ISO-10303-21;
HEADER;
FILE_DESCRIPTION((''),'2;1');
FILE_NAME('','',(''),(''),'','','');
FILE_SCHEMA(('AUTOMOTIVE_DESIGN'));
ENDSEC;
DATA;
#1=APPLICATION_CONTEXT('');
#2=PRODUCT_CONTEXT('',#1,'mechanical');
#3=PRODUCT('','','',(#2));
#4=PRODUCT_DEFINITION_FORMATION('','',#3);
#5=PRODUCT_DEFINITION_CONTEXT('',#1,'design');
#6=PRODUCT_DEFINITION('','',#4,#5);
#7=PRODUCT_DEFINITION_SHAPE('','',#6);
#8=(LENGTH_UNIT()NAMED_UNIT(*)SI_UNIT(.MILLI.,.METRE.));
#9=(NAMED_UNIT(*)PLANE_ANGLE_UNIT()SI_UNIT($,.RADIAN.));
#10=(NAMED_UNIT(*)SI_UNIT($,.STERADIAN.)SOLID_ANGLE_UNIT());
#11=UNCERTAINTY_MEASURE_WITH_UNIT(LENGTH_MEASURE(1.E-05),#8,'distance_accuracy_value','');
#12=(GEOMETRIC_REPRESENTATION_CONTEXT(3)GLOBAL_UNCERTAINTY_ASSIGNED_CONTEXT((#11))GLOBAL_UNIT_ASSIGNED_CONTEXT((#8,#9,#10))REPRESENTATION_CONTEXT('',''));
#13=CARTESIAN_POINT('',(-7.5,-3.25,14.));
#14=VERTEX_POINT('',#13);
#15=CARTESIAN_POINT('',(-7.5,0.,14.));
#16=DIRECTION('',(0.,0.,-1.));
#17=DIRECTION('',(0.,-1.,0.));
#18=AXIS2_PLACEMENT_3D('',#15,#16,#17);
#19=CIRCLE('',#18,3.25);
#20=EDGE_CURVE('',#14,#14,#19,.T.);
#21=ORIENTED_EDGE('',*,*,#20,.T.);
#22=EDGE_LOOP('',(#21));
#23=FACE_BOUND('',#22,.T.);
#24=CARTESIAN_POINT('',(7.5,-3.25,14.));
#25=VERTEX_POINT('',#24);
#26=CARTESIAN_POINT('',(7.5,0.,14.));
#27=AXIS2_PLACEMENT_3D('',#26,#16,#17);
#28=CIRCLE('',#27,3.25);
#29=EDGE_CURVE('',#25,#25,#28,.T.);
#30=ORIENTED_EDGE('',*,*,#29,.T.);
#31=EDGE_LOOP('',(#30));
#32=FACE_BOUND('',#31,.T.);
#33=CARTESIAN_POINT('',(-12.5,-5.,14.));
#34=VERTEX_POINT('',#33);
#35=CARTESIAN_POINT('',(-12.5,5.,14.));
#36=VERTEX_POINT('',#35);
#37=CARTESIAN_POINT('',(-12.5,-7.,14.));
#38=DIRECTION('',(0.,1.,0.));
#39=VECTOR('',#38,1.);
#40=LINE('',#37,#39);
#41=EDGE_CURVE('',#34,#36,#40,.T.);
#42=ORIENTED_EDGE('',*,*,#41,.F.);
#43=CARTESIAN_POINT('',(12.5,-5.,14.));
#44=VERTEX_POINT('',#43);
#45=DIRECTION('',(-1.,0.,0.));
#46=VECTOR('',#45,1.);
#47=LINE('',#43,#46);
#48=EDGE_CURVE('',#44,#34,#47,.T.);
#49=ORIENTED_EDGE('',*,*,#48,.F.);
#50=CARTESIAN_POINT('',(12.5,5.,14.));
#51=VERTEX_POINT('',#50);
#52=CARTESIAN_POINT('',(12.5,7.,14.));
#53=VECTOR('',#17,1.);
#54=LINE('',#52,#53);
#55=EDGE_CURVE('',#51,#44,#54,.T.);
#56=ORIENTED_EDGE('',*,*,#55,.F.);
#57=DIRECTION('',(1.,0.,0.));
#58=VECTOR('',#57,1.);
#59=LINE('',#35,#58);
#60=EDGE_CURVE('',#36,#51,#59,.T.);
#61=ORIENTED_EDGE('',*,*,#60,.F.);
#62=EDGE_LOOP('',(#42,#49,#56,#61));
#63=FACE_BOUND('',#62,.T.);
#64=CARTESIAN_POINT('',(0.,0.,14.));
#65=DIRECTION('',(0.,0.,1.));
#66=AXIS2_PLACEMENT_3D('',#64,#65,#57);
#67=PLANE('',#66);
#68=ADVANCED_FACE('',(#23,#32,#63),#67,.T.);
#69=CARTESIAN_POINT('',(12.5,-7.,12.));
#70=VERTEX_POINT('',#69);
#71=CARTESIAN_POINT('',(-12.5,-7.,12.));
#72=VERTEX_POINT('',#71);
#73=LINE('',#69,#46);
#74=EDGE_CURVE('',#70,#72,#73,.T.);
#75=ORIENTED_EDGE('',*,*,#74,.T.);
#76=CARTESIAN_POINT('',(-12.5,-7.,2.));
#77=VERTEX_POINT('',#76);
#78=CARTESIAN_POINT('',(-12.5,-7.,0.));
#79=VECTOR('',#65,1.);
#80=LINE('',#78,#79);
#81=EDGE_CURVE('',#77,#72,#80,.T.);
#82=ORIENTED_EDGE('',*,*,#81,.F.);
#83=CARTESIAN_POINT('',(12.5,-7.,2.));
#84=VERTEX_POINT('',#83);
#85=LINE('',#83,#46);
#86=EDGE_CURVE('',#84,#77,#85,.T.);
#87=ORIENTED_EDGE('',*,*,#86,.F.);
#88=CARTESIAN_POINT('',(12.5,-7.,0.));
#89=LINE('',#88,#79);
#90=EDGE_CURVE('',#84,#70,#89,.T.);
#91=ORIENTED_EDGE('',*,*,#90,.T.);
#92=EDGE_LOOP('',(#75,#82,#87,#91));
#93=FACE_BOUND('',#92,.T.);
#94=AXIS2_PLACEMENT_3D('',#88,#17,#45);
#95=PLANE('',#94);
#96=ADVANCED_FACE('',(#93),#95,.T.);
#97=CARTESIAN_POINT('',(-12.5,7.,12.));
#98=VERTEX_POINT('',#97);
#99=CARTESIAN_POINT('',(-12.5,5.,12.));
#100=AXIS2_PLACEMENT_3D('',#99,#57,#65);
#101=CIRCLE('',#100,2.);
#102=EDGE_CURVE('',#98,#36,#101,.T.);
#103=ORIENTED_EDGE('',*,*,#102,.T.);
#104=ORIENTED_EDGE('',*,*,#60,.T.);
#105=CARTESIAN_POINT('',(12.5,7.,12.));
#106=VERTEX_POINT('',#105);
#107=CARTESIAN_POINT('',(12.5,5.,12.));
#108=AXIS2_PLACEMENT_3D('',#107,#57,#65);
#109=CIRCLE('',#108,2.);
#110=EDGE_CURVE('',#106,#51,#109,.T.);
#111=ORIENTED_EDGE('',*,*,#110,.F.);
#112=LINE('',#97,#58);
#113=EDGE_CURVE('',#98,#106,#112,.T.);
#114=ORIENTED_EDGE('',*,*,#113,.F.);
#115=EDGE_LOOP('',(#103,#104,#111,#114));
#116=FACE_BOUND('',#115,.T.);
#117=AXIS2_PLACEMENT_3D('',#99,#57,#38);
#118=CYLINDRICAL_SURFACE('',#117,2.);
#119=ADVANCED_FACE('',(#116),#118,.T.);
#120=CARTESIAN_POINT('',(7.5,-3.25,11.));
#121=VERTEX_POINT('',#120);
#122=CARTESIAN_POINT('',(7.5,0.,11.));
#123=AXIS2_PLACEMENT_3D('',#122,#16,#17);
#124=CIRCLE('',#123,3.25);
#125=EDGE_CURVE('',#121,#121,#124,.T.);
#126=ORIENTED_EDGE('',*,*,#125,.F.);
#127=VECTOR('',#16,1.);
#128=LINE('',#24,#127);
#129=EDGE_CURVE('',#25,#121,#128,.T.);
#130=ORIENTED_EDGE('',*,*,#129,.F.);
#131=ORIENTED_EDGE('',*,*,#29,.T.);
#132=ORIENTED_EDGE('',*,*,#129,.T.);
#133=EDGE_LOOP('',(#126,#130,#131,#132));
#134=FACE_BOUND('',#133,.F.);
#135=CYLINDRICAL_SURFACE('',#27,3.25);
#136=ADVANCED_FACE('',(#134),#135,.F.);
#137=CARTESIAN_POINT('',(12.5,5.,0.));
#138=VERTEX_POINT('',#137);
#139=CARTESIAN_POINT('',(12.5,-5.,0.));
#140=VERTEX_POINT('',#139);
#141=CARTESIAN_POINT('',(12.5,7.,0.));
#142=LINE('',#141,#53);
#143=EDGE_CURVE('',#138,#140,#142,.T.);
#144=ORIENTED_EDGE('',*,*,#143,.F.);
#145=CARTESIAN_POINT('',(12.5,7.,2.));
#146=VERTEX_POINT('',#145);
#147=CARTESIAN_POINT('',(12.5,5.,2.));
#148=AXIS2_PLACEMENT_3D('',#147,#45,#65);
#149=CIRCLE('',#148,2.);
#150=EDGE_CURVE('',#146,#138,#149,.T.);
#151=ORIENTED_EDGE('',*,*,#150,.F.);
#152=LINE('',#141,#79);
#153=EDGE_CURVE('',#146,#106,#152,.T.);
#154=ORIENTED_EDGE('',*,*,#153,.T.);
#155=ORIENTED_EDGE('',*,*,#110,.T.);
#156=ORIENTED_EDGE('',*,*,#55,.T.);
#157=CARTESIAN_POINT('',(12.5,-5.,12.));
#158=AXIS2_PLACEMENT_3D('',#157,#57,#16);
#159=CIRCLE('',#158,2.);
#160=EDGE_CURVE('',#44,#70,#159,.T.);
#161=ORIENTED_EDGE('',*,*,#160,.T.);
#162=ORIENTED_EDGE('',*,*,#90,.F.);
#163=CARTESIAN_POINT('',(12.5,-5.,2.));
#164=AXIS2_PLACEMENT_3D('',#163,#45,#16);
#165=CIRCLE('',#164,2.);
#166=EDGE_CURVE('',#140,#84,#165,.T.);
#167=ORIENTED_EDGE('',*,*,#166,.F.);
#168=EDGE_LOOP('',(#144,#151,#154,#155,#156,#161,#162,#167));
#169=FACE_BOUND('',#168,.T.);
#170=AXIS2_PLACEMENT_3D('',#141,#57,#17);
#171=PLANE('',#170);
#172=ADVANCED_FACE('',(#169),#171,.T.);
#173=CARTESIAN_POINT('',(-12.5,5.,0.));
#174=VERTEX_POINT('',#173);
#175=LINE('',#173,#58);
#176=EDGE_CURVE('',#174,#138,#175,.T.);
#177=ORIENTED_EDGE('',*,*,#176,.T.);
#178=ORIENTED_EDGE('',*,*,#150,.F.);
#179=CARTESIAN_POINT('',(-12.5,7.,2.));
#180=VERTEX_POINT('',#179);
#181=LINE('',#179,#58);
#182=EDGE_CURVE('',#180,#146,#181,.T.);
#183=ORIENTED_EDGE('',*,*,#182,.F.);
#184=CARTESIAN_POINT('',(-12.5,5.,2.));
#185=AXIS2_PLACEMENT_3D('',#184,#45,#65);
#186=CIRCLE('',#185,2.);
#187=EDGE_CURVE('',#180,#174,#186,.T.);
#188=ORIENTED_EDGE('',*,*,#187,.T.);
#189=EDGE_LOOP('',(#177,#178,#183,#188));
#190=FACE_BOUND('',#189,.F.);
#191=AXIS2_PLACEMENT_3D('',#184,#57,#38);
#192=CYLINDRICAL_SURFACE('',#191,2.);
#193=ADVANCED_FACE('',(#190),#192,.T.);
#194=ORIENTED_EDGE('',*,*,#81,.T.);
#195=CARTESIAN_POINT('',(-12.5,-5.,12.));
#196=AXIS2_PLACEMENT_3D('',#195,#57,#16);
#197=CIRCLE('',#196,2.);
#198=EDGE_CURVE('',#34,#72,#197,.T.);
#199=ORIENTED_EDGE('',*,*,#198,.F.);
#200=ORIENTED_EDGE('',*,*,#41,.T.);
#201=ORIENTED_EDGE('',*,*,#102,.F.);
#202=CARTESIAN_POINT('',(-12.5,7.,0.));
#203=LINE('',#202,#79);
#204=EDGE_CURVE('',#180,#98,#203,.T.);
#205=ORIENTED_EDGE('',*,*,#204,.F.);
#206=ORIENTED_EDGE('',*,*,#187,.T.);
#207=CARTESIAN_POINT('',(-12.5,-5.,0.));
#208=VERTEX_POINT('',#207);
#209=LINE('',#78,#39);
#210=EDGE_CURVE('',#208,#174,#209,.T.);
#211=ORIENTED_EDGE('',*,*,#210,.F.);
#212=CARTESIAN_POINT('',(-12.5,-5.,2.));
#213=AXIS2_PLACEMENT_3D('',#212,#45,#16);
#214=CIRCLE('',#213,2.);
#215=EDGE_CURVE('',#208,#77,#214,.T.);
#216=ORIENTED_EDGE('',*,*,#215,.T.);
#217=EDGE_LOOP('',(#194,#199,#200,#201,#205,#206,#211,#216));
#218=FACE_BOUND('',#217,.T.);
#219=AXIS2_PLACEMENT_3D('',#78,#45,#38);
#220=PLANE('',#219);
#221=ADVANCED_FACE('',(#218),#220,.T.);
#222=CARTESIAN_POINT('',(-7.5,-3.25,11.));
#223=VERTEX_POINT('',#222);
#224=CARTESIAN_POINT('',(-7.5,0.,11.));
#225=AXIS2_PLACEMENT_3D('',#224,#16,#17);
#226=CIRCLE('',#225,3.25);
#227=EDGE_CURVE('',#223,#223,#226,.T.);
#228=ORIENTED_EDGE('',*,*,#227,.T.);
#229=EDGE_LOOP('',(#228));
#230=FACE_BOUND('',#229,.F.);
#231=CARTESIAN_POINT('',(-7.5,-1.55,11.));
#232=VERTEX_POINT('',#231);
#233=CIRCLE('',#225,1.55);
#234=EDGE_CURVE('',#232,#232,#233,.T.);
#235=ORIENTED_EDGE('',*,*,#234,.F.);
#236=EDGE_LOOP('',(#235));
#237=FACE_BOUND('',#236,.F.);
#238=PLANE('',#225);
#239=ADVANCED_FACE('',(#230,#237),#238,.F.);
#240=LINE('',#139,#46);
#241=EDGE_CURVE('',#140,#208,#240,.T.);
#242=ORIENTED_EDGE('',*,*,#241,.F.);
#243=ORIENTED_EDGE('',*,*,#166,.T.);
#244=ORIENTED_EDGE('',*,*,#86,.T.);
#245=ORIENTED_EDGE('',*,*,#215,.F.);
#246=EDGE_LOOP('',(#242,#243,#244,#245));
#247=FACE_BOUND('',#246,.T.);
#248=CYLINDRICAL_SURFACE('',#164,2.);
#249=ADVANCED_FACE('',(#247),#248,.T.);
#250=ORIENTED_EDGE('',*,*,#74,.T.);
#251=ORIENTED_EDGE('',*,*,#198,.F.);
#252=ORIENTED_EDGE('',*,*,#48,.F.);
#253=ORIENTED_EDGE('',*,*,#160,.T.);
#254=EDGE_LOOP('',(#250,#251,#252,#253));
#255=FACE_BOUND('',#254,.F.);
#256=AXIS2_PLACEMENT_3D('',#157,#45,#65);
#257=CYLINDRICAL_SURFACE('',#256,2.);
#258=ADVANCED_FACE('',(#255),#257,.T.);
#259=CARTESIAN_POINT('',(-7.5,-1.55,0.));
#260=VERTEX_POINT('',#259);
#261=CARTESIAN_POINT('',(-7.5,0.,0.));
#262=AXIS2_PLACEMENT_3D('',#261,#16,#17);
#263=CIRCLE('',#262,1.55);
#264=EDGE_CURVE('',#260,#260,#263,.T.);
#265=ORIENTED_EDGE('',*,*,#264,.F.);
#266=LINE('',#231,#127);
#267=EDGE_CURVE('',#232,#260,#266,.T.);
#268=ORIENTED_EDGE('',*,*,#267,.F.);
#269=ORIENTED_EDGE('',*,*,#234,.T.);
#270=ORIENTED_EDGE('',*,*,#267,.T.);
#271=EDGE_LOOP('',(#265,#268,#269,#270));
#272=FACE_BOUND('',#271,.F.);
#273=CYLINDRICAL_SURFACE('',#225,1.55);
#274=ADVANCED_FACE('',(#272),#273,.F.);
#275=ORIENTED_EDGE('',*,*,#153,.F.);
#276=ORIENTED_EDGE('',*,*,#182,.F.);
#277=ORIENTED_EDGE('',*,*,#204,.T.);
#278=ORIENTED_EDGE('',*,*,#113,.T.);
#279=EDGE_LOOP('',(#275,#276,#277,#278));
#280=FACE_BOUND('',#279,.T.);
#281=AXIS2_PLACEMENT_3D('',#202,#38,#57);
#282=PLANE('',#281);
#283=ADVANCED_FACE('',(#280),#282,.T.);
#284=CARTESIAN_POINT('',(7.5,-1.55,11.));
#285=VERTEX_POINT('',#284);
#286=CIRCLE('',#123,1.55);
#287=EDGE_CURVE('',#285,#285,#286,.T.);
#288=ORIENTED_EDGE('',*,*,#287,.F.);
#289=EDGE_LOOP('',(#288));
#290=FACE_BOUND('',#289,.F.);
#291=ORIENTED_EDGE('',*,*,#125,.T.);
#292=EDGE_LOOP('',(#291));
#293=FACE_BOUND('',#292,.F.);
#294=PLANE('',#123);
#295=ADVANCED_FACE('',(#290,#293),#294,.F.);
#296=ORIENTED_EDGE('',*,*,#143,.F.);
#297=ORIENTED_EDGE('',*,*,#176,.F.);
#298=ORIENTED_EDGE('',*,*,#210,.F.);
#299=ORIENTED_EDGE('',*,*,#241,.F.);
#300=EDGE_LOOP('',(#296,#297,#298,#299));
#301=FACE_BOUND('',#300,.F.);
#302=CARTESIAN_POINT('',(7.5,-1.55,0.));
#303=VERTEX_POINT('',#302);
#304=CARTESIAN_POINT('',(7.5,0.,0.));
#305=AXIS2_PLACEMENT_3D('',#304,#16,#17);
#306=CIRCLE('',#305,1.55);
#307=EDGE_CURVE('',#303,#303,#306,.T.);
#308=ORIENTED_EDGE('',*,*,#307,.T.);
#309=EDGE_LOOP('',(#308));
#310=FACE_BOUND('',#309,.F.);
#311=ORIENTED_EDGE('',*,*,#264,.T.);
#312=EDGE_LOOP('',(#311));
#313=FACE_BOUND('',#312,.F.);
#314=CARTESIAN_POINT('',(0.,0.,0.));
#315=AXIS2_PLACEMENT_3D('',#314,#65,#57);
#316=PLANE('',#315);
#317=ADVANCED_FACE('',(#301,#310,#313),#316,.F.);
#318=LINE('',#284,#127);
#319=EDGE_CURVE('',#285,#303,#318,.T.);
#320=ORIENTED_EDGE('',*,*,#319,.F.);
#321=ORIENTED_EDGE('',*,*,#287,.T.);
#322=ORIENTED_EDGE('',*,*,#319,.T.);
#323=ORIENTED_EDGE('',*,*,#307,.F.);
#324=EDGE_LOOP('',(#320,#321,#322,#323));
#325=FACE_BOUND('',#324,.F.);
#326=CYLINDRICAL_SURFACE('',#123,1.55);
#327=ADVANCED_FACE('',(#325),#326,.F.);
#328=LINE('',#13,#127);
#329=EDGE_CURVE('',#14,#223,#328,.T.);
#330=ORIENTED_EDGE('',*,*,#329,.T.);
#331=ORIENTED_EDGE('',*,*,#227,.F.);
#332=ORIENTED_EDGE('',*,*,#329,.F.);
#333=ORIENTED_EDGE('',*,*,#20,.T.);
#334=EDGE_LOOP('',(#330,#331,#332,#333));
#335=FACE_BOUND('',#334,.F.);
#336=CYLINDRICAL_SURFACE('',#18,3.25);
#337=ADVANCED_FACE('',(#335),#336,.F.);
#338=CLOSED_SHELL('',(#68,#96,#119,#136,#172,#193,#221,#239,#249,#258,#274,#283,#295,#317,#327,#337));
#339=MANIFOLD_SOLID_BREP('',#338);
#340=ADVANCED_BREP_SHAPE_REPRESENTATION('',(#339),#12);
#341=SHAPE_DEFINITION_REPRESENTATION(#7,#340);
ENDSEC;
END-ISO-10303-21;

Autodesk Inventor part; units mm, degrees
ref_plane "YZ Plane" through (0, 0, 0) normal (1, 0, 0) x (0, 1, 0)
ref_plane "XZ Plane" through (0, 0, 0) normal (0, 1, 0) x (-1, 0, 0)
ref_plane "XY Plane" through (0, 0, 0) normal (0, 0, 1) x (1, 0, 0)
sketch "Sketch1" plane through (0, 0, 0) normal (0, 0, 1) x (1, 0, 0)
  line L0 (-12.5, 7) -> (12.5, 7)
  line L1 (12.5, 7) -> (12.5, -7)
  line L2 (12.5, -7) -> (-12.5, -7)
  line L3 (-12.5, -7) -> (-12.5, 7)
  point P0 (0, 0)
  point P1 (12.5, 0)
  point P2 (0, 7)
  dimension "d0" = 25
  dimension "d2" = 14
extrude "Extrusion1" add sketch "Sketch1" along normal blind 14
sketch "Sketch2" plane through (0, 0, 14) normal (0, 0, 1) x (1, 0, 0)
  line L0 (-7.5, 0) -> (7.5, 0)
  point P0 (0, 0)
  point P1 (0, 0)
  dimension "d5" = 15
hole "Hole1" at (-7.5, 0, 14) at (7.5, 0, 14) direction (0, 0, -1) diameter 3.1 end through all counterbore diameter 6.5 counterbore depth 3 clearance for "Socket Head Cap Screw" size "M3" standard "Ansi Metric M Profile"
fillet "Fillet1" radius 2 2 edges at (0, 7, 0) (0, -7, 0)
fillet "Fillet2" radius 2 2 edges at (0, 7, 14) (0, -7, 14)
properties part number "string tensioner"
